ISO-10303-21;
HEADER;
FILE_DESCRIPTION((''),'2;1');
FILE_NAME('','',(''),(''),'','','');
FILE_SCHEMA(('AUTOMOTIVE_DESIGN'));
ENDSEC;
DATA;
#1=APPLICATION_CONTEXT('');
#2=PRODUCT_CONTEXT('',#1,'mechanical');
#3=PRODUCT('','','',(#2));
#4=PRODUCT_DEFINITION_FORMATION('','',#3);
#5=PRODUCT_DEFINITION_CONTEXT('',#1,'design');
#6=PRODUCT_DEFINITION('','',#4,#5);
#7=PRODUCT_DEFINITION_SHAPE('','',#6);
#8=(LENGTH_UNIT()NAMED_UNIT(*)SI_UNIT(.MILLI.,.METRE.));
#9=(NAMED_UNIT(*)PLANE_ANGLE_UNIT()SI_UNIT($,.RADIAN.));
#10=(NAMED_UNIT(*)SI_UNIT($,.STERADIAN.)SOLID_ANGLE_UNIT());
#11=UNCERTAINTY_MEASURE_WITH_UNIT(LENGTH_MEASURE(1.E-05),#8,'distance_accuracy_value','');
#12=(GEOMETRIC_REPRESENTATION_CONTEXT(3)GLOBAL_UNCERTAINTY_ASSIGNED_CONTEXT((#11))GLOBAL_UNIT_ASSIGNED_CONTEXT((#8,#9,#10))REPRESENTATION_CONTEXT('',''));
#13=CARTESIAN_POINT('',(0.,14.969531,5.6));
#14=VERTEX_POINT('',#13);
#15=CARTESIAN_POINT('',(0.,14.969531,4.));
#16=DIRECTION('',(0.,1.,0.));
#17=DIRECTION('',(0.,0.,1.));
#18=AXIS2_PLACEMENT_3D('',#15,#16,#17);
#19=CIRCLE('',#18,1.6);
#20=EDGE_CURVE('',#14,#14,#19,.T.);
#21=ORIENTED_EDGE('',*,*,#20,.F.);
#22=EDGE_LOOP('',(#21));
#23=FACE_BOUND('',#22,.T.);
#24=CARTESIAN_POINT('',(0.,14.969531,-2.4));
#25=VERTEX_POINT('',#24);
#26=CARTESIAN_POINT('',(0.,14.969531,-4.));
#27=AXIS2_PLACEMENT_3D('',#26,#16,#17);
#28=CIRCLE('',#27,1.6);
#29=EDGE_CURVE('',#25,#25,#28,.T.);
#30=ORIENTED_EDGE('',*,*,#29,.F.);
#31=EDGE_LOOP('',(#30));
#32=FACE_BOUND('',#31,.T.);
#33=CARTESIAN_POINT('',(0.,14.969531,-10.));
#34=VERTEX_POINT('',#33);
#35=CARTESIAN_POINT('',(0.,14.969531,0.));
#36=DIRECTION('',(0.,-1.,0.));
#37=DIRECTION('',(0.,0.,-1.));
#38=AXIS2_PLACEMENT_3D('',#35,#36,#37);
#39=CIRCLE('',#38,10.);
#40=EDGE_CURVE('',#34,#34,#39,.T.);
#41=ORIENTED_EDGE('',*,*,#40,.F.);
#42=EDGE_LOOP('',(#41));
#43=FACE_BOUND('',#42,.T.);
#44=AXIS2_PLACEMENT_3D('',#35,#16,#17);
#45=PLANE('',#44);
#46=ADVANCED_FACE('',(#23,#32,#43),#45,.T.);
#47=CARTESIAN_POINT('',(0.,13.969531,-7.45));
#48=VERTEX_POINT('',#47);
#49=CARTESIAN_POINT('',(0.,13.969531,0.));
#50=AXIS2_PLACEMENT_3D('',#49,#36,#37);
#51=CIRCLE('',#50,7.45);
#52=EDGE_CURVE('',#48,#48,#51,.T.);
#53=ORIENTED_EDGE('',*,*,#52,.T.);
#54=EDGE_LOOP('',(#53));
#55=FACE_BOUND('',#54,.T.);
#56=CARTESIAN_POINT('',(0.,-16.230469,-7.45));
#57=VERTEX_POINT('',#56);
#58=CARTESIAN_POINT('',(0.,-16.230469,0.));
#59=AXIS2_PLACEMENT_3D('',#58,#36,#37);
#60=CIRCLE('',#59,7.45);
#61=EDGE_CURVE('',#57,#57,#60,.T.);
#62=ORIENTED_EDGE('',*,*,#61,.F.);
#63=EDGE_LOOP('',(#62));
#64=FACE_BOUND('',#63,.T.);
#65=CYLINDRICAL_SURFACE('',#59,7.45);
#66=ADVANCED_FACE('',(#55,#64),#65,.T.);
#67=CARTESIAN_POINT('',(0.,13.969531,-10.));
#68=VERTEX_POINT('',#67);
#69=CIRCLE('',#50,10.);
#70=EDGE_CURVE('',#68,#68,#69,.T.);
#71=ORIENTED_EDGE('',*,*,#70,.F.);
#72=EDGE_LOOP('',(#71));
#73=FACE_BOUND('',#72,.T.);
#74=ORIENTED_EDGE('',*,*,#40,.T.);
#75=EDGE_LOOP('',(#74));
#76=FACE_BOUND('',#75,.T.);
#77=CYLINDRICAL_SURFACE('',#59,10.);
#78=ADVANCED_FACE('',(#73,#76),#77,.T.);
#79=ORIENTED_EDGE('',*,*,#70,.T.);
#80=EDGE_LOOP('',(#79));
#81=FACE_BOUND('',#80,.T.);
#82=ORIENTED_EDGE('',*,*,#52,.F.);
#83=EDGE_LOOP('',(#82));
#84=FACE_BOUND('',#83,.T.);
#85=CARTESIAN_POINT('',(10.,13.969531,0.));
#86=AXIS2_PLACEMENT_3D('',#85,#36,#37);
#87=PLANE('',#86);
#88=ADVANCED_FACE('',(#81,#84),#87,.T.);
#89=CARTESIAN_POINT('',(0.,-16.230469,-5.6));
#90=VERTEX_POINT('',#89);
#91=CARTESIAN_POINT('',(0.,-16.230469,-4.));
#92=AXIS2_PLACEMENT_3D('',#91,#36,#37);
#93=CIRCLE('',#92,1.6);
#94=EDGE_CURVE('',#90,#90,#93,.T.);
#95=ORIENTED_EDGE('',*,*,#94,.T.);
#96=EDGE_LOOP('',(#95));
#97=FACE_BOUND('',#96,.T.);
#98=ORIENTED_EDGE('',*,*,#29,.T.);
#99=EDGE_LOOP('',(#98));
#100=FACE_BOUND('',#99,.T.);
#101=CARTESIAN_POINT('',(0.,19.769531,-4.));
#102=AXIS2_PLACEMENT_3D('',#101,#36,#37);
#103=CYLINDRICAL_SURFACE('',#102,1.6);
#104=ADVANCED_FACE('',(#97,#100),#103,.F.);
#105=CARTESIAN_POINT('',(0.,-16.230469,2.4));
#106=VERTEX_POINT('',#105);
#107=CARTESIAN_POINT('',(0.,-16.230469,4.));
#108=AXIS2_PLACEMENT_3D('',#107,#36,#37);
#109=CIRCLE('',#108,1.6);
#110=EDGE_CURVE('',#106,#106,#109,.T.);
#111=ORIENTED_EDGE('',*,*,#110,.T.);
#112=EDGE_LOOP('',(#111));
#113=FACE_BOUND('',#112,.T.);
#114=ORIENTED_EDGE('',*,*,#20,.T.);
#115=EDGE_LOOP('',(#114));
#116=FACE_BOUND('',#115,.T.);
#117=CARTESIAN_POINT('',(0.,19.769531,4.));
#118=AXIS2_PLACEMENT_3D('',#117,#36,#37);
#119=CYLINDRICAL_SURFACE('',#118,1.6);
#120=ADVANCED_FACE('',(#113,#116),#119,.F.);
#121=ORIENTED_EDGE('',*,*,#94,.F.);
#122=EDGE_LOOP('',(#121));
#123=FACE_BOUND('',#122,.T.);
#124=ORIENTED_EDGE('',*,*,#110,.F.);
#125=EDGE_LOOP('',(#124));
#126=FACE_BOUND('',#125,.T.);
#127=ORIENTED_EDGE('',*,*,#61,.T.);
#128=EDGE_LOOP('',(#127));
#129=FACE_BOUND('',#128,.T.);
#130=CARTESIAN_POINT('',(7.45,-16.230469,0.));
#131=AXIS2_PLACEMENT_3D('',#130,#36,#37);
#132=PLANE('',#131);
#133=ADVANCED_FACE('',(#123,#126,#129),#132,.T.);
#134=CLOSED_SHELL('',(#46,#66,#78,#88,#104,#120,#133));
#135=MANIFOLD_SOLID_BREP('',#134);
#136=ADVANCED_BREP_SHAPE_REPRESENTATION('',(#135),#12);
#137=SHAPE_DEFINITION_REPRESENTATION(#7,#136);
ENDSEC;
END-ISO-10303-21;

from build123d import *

# Parameters (mm, degrees)
SKETCH_2_R          = 1.6
CUT_EXTRUDE_1_DEPTH = 36


with BuildPart() as part:
    # 草图1 → 旋转1 (revolve)
    with BuildSketch(Plane.XY, mode=Mode.PRIVATE) as revolve_1_sk:
        Polygon((0, 14.96953125), (10, 14.96953125), (10, 13.96953125), (7.45, 13.96953125), (7.45, -16.23046875), (0, -16.23046875), align=None)
    revolve(revolve_1_sk.sketch.rotate(Axis((0, -16.23046875, 0), (0, 1, 0)), 90), axis=Axis((0, -16.23046875, 0), (0, 1, 0)))

    # 草图2 → 切除-拉伸1 (cut)
    with BuildSketch(Plane.XZ.offset(16.23046875)):
        with Locations(Location((0, 4, 0), (0, 0, 270))):
            Circle(SKETCH_2_R)
        with Locations(Location((0, -4, 0), (0, 0, 270))):
            Circle(SKETCH_2_R)
    extrude(amount=-CUT_EXTRUDE_1_DEPTH, mode=Mode.SUBTRACT)


solid = part.part
